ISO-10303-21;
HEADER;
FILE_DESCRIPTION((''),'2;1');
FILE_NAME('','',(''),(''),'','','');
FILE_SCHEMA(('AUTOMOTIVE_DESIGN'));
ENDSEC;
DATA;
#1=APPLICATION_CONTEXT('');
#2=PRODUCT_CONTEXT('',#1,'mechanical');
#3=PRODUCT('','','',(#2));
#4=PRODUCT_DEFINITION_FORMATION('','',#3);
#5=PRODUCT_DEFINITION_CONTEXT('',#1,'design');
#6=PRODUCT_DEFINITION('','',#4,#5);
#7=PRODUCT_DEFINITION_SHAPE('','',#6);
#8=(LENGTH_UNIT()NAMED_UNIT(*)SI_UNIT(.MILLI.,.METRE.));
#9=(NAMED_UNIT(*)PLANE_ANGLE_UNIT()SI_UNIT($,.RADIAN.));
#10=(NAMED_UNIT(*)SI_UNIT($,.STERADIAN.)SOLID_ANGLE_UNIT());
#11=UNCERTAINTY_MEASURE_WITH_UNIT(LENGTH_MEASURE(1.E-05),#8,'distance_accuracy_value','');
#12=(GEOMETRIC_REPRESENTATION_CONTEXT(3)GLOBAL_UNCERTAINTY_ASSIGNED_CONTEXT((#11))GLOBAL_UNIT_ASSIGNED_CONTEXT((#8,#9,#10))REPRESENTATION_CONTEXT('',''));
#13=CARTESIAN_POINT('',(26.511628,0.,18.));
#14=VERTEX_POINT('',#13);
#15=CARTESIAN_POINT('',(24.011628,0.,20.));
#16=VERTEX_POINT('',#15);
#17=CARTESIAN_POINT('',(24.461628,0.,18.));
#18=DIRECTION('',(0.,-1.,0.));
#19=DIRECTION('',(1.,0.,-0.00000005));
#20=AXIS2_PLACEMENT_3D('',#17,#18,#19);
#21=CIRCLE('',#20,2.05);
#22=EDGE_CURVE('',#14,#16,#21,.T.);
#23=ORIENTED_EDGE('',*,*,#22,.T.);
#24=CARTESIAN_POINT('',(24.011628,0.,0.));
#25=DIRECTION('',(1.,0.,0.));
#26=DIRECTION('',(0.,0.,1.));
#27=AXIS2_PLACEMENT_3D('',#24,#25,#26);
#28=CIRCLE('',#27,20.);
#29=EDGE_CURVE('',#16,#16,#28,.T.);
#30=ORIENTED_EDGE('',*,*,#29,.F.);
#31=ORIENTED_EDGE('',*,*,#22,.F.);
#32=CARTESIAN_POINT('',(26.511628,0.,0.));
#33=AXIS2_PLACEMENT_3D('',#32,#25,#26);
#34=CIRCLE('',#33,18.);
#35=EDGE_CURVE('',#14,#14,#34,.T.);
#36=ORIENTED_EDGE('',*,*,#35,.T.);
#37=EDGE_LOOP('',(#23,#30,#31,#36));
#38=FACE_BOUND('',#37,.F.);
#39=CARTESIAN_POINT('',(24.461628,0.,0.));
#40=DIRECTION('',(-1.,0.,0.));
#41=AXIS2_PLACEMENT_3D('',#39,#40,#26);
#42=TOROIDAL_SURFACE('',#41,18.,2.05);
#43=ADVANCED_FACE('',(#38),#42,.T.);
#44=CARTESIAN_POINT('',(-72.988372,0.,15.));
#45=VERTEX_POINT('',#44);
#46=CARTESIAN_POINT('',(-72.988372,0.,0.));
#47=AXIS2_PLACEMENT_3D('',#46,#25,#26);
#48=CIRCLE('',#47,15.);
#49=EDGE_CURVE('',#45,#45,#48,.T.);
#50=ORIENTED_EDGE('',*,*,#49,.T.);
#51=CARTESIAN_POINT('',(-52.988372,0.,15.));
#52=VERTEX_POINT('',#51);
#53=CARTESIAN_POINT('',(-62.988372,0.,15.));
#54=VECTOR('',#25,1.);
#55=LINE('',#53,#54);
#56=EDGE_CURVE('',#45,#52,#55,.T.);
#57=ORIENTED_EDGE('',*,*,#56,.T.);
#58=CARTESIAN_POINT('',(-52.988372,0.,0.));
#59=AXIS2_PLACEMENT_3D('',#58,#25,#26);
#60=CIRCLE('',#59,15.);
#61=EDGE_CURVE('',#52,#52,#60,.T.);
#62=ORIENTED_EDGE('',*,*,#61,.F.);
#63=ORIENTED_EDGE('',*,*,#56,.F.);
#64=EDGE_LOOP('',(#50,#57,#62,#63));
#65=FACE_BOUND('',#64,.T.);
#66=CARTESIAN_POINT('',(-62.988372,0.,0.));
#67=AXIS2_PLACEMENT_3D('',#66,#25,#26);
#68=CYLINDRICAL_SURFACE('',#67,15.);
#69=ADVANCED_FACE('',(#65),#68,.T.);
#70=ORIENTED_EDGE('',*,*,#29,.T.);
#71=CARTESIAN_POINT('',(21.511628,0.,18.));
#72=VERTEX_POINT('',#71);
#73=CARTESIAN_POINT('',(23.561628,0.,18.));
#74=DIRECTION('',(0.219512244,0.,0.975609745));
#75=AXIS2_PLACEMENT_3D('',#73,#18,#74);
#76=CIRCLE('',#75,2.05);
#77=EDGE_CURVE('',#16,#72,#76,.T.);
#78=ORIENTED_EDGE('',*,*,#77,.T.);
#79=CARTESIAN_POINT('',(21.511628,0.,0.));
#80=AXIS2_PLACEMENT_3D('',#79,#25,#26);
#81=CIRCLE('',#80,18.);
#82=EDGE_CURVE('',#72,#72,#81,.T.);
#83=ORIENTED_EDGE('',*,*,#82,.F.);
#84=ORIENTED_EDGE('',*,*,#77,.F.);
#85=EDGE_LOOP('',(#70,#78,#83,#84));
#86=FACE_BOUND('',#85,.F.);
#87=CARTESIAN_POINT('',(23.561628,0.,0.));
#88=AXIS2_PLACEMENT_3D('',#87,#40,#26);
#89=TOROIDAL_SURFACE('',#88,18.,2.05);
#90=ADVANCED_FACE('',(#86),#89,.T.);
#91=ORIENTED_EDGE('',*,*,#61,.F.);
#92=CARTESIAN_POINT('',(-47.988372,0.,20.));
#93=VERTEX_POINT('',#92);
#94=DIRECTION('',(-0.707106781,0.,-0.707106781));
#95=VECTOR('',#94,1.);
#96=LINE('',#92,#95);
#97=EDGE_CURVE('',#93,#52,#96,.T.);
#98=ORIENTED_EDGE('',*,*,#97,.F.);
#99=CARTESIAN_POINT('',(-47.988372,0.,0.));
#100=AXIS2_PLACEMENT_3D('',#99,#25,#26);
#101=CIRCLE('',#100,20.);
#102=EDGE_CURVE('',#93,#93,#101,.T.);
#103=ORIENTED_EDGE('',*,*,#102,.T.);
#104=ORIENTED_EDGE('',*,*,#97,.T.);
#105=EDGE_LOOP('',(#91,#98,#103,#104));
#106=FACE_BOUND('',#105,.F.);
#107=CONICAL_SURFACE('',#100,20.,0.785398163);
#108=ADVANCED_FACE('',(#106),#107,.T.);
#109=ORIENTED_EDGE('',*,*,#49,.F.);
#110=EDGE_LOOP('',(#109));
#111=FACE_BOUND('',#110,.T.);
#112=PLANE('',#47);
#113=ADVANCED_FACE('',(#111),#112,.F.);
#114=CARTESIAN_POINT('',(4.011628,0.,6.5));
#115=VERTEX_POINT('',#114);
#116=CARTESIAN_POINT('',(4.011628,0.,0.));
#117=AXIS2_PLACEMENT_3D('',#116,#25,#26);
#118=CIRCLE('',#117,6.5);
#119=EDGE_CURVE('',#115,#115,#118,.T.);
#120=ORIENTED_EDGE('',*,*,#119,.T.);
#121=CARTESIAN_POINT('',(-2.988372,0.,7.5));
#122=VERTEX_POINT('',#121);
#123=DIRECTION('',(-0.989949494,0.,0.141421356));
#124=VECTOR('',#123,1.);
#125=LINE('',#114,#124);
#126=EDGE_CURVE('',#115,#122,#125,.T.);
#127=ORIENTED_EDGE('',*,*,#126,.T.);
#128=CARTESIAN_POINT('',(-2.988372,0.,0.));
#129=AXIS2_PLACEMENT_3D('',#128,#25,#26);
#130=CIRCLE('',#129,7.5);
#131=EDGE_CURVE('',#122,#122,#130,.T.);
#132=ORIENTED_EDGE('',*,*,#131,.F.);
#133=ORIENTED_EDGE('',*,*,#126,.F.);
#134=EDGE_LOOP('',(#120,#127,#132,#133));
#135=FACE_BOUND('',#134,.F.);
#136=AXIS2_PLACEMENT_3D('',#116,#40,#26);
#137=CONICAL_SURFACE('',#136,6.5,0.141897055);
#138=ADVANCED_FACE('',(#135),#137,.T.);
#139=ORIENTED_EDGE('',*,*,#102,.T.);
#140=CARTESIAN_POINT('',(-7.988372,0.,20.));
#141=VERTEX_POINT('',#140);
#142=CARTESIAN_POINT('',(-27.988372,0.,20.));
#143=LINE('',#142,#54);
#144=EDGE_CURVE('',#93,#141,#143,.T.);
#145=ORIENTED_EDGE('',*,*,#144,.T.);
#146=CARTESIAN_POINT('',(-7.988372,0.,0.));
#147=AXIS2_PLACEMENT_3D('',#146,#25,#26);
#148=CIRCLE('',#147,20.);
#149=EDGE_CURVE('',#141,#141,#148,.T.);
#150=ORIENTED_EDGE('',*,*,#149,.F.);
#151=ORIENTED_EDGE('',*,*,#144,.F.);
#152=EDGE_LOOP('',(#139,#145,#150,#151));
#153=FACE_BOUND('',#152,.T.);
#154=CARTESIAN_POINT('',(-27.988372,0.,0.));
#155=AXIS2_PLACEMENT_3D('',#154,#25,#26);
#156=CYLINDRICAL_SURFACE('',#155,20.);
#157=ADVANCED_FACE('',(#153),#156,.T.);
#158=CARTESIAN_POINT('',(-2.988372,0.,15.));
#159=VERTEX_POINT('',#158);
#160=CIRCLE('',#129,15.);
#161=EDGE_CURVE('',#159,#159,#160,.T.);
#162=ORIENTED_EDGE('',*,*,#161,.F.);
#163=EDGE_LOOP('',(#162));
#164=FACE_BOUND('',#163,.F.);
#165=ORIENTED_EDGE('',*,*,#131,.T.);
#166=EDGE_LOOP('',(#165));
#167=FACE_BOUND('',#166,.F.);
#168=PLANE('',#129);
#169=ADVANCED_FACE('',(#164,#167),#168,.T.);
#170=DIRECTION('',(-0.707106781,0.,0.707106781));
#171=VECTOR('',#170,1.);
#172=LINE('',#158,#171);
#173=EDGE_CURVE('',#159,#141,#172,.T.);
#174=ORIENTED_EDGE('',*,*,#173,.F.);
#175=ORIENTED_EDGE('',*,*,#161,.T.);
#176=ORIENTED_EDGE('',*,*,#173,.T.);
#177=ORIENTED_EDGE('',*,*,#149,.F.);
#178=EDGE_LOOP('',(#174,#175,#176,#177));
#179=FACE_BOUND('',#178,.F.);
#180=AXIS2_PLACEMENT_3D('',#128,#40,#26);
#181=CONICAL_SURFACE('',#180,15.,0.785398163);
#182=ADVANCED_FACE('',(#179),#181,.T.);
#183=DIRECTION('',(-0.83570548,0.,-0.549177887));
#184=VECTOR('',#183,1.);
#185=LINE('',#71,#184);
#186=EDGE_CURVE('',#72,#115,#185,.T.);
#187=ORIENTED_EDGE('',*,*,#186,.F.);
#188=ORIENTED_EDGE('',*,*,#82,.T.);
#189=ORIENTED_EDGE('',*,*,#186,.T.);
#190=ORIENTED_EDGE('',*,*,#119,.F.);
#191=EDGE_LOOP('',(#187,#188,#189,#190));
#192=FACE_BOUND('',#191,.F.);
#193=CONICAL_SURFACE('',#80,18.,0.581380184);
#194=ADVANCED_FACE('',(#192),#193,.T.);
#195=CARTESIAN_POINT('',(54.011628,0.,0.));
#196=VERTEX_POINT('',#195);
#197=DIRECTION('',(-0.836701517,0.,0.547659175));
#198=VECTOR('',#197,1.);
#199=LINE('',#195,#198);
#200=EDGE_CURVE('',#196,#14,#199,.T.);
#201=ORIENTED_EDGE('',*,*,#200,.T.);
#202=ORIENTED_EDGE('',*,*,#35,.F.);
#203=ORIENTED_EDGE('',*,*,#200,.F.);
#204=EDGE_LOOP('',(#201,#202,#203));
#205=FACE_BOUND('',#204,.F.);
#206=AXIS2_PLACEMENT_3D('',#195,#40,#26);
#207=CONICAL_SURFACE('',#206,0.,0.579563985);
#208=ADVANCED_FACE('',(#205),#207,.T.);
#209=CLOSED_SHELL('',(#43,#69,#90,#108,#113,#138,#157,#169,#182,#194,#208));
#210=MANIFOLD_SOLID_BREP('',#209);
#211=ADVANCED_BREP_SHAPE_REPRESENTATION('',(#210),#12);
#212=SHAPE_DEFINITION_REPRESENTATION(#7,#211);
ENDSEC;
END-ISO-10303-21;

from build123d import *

# Parameters (mm, degrees)
F0_W   = 40
F0_H   = 20
F0_W_2 = 20
F0_H_2 = 15


with BuildPart() as f1:
    # F0 (on Front) → F1 (revolve)
    with BuildSketch(Plane.XZ):
        Polygon((-52.988372, 15), (-52.988372, 0), (-47.988372, 0), (-47.988372, 20), align=None)
        with Locations((-27.988372, 10)):
            Rectangle(F0_W, F0_H)
        Polygon((-7.988372, 20), (-7.988372, 0), (-2.988372, 0), (-2.988372, 7.5), (-2.988372, 15), align=None)
        Polygon((-2.988372, 7.5), (-2.988372, 0), (4.011628, 0), (4.011628, 6.5), align=None)
        Polygon((4.011628, 6.5), (4.011628, 0), (21.511628, 0), (21.511628, 18), align=None)
        with BuildLine():
            Line((21.511628, 18), (21.511628, 0))
            Line((21.511628, 0), (24.011628, 0))
            Line((24.011628, 0), (24.011628, 20))
            ThreePointArc((24.011628, 20), (22.281003, 19.600781), (21.511628, 18))
        make_face()
        with BuildLine():
            Line((24.011628, 20), (24.011628, 0))
            Line((24.011628, 0), (26.511628, 0))
            Line((26.511628, 0), (26.511628, 18))
            ThreePointArc((26.511628, 18), (25.742253, 19.600781), (24.011628, 20))
        make_face()
        Polygon((26.511628, 18), (26.511628, 0), (44.011628, 0), (54.011628, 0), align=None)
        with Locations((-62.988372, 7.5)):
            Rectangle(F0_W_2, F0_H_2)
    revolve(axis=Axis((-24.488372, 0, 0), (1, 0, 0)))


solid = f1.part
